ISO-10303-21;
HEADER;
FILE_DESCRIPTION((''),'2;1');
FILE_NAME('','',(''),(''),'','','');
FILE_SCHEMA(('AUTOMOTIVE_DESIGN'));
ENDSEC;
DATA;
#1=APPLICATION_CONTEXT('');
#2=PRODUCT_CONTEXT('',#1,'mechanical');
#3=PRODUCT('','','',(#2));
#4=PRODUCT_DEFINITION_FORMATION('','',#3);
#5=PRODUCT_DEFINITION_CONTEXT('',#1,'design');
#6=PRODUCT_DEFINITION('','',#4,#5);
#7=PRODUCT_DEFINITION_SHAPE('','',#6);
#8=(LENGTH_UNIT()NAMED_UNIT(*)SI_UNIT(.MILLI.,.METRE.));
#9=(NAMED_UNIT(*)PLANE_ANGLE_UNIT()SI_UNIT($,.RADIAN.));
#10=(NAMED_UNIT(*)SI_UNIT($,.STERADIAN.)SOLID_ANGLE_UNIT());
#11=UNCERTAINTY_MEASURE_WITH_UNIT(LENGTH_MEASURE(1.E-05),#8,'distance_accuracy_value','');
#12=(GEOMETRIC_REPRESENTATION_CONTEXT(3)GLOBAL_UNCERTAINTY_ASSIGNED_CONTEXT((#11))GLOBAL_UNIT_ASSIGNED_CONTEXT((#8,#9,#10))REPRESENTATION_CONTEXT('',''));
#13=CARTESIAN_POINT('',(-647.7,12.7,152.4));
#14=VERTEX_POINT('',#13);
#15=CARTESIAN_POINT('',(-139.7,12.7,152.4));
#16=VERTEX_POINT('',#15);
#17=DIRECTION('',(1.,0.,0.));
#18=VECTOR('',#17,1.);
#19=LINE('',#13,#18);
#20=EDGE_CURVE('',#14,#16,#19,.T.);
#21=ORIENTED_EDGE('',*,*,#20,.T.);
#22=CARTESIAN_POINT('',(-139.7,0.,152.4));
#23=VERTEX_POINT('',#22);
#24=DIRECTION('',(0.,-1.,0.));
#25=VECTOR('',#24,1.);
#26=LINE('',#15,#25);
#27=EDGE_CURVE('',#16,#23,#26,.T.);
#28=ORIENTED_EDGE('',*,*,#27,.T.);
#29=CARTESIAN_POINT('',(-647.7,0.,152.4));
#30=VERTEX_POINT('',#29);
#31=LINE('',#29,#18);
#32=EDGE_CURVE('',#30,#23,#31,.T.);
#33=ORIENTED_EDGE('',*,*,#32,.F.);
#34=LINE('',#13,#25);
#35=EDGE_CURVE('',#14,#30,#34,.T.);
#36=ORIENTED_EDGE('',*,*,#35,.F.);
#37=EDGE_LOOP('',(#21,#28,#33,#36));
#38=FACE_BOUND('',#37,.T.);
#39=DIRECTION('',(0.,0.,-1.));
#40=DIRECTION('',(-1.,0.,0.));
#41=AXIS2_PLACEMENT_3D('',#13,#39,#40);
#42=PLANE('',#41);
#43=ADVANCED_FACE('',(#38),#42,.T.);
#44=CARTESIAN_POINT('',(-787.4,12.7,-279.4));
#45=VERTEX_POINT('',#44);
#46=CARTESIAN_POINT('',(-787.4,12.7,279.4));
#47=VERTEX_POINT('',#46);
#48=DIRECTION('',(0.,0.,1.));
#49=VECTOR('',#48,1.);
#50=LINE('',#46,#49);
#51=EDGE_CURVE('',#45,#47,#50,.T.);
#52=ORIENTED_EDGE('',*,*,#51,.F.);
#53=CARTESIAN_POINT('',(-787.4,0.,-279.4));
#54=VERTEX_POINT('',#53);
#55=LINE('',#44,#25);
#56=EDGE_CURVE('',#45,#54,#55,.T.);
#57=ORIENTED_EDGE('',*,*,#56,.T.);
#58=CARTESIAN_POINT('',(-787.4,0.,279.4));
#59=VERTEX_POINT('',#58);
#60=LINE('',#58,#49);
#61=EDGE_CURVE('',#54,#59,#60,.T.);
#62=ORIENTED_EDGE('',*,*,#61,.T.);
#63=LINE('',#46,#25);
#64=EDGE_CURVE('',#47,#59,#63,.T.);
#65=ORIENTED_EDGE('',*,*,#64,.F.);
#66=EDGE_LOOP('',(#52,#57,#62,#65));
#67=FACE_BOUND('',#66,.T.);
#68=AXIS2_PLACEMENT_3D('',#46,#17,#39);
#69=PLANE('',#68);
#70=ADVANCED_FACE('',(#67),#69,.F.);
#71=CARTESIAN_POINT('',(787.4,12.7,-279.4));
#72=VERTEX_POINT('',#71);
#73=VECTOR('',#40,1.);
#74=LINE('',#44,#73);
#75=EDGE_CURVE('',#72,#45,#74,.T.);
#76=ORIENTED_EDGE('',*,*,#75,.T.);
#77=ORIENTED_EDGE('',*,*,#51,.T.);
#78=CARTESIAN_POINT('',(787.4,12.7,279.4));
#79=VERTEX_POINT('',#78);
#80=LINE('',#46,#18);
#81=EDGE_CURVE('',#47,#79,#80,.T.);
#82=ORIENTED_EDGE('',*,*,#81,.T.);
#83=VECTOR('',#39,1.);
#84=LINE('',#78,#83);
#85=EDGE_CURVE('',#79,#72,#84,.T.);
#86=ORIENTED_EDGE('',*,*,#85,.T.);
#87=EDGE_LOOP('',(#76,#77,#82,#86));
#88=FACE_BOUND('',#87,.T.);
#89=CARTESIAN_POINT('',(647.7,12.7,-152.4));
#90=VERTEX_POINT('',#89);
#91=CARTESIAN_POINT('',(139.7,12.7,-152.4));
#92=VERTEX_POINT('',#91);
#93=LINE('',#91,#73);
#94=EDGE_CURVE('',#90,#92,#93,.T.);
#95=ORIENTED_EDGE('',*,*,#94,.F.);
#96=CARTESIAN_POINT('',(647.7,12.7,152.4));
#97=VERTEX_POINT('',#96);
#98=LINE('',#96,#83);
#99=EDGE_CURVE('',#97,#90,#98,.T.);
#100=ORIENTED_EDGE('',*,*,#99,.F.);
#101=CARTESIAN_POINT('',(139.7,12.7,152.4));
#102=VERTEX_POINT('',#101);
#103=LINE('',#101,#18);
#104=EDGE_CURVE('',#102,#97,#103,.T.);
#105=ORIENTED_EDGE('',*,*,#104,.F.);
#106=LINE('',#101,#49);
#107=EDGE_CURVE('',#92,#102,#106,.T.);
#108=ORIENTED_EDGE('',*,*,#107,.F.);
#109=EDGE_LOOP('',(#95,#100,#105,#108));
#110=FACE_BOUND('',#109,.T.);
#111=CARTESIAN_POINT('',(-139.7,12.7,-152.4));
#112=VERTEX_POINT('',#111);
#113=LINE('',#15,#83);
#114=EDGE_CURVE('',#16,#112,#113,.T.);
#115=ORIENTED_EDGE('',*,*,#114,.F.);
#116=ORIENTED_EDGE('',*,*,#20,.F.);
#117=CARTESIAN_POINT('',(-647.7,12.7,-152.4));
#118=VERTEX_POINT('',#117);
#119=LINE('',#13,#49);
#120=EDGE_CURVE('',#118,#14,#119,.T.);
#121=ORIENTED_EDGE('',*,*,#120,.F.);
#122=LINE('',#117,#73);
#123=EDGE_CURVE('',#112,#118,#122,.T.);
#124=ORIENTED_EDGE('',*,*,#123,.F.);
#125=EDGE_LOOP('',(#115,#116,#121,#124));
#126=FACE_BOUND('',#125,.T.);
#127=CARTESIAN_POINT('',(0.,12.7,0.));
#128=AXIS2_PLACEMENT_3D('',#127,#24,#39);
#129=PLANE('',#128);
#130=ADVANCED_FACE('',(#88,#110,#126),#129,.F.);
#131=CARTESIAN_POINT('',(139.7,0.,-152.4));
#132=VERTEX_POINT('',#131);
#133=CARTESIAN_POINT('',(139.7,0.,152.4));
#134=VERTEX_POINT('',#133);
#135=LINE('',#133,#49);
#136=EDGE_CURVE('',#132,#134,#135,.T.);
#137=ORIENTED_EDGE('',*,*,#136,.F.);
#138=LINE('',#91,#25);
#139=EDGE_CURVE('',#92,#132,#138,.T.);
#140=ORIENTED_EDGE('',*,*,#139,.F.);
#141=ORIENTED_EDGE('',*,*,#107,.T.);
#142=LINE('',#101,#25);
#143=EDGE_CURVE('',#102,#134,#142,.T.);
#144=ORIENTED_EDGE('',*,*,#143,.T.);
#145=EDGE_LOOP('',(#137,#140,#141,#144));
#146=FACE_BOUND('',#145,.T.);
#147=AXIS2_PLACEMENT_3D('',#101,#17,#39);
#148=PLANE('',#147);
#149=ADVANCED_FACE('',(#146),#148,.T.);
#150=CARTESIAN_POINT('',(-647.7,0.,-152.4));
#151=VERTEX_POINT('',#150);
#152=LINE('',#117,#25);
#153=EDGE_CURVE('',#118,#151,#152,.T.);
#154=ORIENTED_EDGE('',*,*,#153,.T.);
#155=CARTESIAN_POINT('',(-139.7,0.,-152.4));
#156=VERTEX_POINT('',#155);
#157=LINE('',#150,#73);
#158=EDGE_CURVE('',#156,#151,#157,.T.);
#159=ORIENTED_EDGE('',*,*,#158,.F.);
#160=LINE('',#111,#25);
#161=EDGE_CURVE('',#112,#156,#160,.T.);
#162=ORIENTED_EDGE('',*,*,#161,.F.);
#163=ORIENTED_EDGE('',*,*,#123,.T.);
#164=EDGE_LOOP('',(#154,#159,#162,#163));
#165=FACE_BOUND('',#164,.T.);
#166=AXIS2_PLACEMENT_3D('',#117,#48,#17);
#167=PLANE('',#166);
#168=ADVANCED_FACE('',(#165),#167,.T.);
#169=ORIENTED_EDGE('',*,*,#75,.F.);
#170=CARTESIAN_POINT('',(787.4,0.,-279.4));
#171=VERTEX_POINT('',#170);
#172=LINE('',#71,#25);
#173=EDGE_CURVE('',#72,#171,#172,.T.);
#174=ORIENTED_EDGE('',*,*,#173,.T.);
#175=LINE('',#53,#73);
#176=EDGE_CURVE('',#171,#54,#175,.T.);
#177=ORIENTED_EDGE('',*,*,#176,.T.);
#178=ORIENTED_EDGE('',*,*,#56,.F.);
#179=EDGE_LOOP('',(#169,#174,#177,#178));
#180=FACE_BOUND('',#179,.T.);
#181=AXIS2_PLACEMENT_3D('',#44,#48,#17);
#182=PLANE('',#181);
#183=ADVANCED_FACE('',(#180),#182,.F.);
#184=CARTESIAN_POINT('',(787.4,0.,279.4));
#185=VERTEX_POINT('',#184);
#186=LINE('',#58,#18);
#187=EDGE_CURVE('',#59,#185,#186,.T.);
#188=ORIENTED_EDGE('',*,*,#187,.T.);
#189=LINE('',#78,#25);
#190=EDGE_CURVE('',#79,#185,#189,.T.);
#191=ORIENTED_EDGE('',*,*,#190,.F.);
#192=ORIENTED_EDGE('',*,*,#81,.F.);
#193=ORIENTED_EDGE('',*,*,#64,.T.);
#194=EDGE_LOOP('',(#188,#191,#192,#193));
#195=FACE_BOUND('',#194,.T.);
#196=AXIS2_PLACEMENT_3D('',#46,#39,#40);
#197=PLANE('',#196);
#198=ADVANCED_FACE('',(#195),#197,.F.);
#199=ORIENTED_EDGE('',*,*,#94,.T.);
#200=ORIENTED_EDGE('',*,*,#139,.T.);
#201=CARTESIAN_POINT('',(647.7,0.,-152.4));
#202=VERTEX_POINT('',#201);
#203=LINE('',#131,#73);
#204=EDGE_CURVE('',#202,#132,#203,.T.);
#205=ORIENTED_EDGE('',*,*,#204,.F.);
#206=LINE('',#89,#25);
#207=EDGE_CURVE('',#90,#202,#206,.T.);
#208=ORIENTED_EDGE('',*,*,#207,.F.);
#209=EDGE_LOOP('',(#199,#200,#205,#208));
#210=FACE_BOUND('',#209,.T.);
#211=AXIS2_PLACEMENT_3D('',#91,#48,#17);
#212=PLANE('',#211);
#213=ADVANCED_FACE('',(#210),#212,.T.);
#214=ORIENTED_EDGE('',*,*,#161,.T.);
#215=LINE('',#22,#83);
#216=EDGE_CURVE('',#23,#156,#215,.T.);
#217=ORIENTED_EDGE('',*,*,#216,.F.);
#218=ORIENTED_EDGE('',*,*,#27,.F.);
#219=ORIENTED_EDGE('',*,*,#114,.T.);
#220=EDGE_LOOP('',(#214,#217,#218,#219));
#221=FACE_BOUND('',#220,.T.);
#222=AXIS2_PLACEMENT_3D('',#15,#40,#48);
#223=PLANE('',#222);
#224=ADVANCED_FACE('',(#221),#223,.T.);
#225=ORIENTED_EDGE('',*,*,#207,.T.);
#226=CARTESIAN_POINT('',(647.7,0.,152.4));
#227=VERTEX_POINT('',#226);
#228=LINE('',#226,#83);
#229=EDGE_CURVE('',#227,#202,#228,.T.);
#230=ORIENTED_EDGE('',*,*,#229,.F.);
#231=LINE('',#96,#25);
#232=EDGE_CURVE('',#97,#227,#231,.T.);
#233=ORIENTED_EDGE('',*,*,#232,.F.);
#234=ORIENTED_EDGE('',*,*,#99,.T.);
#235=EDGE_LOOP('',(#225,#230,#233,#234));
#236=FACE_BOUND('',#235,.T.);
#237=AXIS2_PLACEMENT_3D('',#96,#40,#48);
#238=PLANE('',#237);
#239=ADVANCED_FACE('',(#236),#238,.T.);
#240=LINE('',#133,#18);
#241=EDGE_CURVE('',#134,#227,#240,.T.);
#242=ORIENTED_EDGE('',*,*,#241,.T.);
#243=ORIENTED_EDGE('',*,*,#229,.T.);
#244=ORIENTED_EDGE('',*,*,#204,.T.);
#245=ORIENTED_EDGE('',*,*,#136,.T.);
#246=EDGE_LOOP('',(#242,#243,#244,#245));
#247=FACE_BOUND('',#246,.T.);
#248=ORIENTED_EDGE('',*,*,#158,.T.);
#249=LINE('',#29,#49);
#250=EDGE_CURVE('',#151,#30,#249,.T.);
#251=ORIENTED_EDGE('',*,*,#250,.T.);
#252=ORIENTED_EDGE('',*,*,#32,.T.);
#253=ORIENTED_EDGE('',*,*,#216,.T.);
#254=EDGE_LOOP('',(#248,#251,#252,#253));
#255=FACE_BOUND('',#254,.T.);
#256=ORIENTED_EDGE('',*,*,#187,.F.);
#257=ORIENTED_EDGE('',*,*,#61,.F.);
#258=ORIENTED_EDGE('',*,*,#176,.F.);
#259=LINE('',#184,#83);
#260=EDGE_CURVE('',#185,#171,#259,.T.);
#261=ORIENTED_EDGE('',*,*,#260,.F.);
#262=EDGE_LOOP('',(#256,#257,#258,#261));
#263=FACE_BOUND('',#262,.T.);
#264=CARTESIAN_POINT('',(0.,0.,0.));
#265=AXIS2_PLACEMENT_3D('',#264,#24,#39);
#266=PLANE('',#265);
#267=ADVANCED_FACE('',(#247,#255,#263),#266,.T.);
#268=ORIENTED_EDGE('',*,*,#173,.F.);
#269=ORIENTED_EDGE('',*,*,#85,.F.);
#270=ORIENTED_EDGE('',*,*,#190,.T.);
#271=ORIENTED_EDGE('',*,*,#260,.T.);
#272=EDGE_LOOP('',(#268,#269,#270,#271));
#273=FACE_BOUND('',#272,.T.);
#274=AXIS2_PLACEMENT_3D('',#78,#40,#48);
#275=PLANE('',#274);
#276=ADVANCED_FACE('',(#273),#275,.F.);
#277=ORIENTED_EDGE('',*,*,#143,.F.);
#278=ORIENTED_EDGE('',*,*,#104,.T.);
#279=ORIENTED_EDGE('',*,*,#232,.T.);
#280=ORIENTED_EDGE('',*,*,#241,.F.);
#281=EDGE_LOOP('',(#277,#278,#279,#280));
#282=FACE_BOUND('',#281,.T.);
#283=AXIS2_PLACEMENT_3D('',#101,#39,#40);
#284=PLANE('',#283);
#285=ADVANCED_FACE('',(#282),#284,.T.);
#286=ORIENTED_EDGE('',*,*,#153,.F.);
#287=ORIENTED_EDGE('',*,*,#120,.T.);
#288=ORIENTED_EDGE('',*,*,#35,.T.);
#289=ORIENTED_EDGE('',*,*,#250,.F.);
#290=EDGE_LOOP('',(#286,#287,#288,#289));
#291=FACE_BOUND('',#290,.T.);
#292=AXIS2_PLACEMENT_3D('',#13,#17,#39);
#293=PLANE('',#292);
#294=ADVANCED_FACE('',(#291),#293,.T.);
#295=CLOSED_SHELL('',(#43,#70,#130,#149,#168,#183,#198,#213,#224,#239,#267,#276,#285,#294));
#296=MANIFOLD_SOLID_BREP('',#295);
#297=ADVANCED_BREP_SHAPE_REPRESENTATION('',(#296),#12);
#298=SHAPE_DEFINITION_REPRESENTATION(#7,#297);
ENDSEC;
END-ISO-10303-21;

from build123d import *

# Parameters (mm, degrees)
SKETCH1_W           = 1574.8
SKETCH1_H           = 558.8
SKETCH1_W_2         = 508
SKETCH1_H_2         = 304.8
BOSS_EXTRUDE1_DEPTH = 12.7


with BuildPart() as part:
    # Sketch1 → Boss-Extrude1 (new body)
    with BuildSketch(Plane(origin=(0, 0, 0), x_dir=(1, 0, 0), z_dir=(0, 1, 0))):
        Rectangle(SKETCH1_W, SKETCH1_H)
        with Locations((-393.7, 0)):
            Rectangle(SKETCH1_W_2, SKETCH1_H_2, mode=Mode.SUBTRACT)
        with Locations((393.7, 0)):
            Rectangle(SKETCH1_W_2, SKETCH1_H_2, mode=Mode.SUBTRACT)
    extrude(amount=BOSS_EXTRUDE1_DEPTH)


solid = part.part
